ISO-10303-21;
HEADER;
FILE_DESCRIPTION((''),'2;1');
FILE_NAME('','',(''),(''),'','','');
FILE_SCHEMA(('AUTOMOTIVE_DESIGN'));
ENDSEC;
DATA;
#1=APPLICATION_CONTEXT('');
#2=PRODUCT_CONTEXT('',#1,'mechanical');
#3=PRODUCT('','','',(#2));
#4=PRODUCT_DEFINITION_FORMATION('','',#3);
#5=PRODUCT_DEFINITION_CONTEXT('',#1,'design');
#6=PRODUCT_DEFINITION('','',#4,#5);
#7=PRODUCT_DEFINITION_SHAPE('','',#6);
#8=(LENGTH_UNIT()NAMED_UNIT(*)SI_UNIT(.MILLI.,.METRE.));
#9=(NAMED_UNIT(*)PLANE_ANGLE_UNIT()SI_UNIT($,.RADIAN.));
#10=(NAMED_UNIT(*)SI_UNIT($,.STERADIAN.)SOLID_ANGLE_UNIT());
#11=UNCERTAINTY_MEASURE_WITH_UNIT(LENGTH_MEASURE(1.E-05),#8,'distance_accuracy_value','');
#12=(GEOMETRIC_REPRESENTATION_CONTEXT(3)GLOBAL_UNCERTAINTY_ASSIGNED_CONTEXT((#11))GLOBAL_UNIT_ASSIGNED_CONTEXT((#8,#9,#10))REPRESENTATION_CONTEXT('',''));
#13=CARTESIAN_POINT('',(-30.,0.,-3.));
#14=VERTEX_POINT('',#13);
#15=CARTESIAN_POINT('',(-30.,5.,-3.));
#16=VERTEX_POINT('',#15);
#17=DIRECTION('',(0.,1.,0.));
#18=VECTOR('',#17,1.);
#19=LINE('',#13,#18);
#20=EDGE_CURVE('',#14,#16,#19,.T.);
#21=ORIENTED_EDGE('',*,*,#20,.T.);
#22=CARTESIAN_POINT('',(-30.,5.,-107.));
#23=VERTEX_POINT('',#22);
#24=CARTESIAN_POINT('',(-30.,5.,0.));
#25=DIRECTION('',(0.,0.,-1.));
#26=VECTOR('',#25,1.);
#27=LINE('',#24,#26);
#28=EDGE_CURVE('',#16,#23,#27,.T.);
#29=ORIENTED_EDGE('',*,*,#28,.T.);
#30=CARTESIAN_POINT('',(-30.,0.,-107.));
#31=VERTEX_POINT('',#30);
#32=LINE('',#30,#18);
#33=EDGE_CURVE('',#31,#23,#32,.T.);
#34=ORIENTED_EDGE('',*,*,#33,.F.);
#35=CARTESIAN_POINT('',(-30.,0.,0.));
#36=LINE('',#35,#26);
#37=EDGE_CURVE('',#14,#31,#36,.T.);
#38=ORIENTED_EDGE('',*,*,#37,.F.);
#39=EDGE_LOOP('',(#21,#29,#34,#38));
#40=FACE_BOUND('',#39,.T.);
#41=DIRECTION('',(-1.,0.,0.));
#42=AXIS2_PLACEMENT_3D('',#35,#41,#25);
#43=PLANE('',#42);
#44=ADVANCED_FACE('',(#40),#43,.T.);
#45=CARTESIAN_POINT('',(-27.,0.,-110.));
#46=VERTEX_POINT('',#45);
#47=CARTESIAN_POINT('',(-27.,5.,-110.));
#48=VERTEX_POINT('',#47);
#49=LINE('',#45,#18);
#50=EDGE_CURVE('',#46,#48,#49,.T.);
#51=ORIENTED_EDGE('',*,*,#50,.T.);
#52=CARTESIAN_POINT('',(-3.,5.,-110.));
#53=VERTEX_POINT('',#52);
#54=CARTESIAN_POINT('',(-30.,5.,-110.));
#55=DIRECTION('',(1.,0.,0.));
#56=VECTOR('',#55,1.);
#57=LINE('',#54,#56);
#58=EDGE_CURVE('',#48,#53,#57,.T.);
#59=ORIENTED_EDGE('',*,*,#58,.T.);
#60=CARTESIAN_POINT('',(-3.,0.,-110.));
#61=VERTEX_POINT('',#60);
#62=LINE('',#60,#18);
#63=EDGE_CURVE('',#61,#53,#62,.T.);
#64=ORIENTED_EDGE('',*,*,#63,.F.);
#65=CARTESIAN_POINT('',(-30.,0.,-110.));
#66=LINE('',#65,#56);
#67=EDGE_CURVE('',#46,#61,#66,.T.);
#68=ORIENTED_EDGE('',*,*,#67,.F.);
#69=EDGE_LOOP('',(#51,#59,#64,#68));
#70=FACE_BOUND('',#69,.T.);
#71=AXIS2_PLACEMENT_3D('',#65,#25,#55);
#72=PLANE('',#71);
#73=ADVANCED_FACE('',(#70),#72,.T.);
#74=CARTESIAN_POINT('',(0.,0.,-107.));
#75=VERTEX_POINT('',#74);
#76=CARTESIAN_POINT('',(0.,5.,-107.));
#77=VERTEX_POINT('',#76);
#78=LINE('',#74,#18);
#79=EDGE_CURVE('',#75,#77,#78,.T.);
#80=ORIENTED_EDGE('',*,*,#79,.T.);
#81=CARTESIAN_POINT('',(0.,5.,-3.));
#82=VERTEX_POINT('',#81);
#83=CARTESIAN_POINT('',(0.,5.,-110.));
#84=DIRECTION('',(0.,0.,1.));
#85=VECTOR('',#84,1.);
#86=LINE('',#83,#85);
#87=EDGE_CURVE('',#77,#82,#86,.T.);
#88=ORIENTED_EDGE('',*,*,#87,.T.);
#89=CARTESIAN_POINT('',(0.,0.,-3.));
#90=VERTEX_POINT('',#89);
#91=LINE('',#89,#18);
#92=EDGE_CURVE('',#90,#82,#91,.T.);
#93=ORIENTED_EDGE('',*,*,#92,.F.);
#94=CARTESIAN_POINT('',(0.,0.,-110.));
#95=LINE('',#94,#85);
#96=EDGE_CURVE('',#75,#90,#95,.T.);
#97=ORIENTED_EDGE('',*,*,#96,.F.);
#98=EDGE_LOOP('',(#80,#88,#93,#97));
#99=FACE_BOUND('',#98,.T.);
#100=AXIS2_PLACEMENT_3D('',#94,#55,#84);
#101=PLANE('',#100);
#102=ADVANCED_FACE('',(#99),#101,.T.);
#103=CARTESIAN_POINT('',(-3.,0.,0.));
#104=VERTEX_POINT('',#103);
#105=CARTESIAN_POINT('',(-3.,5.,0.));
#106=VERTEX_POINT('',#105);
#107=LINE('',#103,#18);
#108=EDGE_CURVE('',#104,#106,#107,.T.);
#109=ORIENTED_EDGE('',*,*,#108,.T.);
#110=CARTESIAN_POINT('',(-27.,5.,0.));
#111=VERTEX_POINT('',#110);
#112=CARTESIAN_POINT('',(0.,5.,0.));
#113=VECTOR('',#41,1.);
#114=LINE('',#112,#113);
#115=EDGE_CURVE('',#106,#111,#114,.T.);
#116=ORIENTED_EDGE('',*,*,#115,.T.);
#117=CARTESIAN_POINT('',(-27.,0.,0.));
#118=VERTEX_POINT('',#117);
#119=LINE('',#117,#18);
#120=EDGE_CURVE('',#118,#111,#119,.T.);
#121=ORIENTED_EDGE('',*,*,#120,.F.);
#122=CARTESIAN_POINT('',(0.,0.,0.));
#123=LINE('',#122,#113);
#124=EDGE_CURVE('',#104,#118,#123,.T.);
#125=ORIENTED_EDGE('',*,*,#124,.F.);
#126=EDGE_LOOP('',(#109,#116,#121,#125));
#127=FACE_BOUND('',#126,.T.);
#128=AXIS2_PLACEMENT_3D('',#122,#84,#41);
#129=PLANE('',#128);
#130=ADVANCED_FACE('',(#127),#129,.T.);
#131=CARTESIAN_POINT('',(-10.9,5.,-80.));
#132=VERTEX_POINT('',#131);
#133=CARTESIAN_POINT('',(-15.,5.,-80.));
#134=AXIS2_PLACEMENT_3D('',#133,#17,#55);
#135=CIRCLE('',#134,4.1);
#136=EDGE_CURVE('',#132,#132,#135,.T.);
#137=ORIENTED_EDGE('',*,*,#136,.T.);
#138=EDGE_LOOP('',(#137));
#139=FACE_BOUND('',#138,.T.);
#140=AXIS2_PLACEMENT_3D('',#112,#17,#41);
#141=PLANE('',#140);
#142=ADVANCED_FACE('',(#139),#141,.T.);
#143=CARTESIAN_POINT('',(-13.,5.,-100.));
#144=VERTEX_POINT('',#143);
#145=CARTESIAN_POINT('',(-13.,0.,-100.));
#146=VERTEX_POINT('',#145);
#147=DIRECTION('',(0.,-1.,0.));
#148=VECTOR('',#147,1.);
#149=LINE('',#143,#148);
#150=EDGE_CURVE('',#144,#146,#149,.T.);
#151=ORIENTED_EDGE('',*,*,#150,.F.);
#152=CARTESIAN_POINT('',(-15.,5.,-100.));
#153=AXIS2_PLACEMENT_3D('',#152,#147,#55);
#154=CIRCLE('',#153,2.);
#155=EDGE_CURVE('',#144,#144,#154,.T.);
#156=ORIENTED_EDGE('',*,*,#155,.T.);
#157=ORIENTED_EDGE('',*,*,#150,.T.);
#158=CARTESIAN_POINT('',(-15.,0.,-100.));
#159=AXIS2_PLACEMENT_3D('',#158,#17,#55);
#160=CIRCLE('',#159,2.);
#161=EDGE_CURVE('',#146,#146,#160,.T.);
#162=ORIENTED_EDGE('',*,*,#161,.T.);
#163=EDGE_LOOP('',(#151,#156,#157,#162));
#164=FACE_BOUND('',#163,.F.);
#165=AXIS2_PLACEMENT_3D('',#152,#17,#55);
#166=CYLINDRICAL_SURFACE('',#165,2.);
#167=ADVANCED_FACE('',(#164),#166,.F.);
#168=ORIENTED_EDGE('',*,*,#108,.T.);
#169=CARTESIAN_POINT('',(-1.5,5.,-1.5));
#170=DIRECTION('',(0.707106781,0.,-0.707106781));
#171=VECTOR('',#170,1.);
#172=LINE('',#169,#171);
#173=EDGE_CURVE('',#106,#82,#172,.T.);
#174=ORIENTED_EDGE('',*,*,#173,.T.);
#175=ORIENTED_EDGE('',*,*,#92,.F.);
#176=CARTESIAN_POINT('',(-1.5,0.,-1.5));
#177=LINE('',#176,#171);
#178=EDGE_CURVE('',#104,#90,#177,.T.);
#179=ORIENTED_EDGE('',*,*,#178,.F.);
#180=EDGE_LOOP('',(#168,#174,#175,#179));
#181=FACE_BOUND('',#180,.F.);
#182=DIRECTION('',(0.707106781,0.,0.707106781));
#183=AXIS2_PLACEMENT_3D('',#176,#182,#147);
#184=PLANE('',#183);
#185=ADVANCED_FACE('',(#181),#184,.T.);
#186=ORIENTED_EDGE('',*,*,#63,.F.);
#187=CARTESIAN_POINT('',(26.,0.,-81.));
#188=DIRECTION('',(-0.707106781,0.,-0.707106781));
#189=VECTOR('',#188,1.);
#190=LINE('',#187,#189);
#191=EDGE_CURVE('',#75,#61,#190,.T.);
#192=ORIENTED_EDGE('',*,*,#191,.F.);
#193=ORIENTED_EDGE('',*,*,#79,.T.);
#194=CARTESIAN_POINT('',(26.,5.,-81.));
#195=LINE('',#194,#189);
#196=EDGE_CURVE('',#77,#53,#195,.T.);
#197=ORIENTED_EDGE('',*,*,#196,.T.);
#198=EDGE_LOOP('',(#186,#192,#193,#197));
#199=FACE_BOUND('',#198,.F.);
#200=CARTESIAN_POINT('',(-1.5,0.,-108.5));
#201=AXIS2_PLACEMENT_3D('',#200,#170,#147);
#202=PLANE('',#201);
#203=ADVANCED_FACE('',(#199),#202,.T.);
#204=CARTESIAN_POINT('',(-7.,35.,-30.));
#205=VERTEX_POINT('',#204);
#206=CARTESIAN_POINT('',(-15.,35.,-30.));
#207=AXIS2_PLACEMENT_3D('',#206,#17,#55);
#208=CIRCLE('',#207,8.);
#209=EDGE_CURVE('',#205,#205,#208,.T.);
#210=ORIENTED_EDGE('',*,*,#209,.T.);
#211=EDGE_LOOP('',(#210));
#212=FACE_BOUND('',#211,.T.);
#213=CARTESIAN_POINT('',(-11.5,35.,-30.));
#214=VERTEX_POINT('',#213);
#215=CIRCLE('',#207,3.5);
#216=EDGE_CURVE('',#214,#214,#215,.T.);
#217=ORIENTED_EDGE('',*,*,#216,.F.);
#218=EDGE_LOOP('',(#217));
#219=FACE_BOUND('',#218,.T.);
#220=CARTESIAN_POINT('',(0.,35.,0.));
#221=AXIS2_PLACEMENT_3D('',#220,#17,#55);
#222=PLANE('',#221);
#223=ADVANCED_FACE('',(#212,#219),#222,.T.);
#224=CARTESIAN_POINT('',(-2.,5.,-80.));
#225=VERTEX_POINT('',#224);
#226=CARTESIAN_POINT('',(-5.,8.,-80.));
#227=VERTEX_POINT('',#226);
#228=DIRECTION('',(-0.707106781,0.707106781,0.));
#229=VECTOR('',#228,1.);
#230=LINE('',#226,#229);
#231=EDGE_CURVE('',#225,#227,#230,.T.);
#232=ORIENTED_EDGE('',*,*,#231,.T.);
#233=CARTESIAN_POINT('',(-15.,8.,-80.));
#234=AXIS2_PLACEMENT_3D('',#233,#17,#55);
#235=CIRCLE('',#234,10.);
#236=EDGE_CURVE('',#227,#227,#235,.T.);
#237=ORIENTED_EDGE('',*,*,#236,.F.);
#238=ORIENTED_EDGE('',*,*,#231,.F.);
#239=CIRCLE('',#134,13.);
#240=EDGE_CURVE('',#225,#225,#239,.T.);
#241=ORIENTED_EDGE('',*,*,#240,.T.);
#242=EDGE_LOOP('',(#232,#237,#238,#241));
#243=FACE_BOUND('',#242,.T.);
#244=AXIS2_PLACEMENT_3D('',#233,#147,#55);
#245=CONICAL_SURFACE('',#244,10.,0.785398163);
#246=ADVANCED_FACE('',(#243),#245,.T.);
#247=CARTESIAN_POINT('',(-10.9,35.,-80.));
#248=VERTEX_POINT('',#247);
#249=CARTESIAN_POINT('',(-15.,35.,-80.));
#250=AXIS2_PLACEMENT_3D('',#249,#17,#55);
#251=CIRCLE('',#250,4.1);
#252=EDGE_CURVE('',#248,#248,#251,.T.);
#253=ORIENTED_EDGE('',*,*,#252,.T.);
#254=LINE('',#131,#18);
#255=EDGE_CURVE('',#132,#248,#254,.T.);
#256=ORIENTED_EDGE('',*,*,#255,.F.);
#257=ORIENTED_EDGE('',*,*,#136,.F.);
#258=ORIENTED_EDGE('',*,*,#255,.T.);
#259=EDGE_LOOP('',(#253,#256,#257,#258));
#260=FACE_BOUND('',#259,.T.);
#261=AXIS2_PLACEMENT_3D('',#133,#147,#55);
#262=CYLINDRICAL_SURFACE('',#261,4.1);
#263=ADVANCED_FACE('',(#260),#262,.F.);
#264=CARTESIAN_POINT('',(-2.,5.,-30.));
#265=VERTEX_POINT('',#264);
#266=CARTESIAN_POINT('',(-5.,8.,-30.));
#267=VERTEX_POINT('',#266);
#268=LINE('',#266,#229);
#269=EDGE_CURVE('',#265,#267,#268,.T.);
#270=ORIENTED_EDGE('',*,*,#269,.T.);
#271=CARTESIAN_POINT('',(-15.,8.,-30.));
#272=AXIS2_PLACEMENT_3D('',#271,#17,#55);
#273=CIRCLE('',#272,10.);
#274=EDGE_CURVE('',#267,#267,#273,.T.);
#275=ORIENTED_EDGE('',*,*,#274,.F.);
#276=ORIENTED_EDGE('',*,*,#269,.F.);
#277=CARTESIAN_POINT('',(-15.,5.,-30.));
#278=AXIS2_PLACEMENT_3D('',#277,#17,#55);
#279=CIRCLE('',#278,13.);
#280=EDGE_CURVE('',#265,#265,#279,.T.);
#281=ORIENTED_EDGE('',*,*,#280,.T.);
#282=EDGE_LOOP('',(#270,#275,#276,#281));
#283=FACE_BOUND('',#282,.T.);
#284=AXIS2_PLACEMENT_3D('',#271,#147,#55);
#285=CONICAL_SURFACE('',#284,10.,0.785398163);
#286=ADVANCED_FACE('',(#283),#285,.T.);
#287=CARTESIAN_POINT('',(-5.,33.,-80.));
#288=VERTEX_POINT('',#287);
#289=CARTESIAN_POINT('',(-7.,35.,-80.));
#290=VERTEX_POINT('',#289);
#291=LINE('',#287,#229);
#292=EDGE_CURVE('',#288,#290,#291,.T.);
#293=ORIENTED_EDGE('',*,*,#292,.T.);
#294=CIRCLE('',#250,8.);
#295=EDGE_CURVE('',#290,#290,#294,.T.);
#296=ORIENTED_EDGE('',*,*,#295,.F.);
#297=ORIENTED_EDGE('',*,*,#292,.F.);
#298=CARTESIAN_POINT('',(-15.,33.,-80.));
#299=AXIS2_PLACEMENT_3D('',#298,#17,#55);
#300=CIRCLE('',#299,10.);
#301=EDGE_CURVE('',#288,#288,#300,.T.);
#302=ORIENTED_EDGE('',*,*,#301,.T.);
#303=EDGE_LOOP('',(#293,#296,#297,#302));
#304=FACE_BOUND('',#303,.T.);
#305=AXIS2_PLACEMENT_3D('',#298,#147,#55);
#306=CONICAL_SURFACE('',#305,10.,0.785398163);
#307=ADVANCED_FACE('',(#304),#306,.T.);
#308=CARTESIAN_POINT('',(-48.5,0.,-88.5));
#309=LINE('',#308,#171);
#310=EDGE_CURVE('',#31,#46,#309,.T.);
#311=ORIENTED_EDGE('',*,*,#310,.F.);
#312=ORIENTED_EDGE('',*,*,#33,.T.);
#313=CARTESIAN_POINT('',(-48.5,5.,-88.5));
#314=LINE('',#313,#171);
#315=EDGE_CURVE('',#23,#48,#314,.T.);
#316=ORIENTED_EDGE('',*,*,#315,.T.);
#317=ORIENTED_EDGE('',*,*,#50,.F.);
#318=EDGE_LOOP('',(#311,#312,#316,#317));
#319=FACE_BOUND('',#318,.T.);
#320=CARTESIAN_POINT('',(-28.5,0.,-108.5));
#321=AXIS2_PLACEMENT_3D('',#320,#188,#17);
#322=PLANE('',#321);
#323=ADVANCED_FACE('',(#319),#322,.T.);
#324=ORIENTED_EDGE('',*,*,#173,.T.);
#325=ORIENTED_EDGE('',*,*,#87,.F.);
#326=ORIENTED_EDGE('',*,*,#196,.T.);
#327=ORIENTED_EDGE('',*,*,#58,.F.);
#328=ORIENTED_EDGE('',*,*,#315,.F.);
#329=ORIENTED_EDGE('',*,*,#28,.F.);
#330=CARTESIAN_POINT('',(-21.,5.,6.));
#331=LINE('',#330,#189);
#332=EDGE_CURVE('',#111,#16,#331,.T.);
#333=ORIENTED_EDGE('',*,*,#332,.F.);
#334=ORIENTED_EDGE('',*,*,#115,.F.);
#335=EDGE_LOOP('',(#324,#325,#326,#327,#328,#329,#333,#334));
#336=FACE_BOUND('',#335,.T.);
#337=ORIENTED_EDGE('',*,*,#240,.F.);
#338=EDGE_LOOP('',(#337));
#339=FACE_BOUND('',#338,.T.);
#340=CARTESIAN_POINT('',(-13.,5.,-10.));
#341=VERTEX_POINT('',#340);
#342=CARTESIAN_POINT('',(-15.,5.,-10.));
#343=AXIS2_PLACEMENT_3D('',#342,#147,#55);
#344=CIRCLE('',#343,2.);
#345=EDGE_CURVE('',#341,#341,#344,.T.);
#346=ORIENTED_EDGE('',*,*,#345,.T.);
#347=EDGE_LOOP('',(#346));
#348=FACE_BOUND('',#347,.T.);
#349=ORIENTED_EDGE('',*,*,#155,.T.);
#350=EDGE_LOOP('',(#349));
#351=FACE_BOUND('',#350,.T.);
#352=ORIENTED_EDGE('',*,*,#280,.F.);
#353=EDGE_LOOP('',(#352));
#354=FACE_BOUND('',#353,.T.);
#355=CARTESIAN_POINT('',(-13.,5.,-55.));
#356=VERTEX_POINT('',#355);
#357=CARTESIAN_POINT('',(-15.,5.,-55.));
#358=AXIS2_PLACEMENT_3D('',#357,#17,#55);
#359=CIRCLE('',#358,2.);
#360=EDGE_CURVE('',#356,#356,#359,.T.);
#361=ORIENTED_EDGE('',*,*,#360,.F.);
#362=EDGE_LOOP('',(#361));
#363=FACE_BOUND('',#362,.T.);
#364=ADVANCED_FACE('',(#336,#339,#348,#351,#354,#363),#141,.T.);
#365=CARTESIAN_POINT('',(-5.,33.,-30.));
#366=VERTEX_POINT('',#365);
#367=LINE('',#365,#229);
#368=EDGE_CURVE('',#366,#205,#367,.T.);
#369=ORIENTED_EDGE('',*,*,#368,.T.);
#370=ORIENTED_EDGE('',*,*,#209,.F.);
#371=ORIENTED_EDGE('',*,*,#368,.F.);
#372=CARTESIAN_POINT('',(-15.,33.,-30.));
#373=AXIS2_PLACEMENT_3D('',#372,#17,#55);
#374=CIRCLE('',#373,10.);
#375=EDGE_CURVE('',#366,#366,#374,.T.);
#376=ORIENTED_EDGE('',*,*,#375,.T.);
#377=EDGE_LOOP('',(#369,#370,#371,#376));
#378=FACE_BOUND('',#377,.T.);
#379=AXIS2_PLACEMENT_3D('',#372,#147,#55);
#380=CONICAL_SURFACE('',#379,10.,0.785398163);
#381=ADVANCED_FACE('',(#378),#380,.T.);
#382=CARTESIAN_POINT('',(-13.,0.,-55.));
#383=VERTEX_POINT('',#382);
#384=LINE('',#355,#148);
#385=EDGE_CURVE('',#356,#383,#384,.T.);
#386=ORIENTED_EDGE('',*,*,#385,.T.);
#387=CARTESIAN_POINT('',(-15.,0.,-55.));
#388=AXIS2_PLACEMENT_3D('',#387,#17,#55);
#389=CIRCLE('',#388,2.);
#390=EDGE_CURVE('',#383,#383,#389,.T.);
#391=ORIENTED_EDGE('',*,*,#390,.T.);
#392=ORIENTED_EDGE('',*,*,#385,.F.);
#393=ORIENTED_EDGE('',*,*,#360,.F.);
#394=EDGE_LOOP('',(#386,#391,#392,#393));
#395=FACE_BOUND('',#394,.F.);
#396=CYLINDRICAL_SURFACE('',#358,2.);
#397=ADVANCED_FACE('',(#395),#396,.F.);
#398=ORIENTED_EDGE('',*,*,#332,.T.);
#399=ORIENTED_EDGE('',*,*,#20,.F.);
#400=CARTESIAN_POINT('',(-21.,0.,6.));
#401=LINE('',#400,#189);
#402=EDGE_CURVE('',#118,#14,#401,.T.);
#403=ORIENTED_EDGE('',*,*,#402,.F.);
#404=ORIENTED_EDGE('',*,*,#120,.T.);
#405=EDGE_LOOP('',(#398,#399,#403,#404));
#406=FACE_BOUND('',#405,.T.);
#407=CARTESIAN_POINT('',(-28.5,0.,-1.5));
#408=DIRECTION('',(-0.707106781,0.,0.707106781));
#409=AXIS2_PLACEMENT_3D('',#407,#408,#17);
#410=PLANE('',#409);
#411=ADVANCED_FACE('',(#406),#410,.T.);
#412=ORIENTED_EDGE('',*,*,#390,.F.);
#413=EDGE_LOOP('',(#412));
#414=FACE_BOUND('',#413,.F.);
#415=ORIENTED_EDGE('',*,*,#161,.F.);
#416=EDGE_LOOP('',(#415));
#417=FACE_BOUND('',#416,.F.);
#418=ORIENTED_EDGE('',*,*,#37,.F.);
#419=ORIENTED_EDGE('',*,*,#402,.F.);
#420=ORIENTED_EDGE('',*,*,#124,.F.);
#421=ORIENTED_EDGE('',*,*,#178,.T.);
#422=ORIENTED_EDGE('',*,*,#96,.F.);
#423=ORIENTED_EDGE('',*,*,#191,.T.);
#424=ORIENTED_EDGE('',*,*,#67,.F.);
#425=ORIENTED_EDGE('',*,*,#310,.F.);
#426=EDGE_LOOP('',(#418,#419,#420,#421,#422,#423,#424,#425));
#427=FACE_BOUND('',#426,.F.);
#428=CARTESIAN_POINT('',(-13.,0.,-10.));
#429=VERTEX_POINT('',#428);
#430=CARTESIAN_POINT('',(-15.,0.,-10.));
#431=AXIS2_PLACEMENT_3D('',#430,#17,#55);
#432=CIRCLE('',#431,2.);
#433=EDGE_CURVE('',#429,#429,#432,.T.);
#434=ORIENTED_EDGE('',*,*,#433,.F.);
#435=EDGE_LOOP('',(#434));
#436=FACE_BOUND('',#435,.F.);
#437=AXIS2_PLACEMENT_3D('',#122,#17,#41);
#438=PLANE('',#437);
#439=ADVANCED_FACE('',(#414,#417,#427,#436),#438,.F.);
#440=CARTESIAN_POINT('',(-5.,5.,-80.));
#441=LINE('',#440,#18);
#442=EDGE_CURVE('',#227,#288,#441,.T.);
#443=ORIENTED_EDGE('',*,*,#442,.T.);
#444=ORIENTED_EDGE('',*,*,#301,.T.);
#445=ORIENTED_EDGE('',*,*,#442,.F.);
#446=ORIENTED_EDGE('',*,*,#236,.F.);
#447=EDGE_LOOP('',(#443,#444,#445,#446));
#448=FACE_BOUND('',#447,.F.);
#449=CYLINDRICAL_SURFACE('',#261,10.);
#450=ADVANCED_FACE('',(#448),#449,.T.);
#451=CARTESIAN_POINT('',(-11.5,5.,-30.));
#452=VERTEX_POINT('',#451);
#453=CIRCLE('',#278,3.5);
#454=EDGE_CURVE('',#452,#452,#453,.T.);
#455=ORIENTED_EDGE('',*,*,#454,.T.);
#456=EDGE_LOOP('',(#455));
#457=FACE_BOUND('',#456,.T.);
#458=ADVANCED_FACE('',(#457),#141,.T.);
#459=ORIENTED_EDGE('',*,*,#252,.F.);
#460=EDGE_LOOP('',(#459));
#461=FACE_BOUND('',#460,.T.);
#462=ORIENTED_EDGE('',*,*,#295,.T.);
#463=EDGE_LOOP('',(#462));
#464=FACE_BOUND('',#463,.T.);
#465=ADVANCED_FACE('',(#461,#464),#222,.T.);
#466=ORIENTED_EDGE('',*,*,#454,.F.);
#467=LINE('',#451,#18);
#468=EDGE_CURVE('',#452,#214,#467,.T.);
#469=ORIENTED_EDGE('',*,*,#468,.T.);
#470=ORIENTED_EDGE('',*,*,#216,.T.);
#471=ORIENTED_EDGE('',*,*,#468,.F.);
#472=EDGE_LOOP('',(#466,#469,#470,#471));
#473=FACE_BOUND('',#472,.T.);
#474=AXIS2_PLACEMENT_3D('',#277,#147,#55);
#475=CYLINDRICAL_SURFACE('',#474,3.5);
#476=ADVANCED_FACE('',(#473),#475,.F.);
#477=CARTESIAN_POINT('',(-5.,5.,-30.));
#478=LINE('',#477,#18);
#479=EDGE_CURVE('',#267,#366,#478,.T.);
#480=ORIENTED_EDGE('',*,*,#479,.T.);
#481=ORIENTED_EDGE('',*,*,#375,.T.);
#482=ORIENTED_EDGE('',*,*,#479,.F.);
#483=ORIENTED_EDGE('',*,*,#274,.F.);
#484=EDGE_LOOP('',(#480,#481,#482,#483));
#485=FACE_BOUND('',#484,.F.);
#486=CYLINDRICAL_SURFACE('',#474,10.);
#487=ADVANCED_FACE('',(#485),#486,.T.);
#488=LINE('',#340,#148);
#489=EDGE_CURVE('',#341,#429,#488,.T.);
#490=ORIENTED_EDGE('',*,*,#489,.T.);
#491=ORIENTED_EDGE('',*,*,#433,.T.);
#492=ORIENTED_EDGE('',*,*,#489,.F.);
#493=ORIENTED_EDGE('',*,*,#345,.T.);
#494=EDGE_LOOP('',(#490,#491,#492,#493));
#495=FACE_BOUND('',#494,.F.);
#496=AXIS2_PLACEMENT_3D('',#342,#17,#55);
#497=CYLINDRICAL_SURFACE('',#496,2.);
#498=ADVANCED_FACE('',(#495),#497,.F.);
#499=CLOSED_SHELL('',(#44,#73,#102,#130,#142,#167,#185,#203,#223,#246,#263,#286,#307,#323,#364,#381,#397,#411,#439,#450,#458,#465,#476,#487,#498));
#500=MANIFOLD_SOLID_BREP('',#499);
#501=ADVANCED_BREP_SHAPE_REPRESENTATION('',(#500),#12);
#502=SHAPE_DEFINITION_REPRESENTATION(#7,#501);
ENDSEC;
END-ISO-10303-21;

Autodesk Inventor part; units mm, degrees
ref_plane "YZ Plane" through (0, 0, 0) normal (1, 0, 0) x (0, 1, 0)
ref_plane "XZ Plane" through (0, 0, 0) normal (0, 1, 0) x (-1, 0, 0)
ref_plane "XY Plane" through (0, 0, 0) normal (0, 0, 1) x (1, 0, 0)
sketch "Sketch1" plane through (0, 0, 0) normal (0, 1, 0) x (-1, 0, 0)
  line L0 (0, 0) -> (30, 0)
  line L1 (30, 0) -> (30, -110)
  line L2 (30, -110) -> (0, -110)
  line L3 (0, -110) -> (0, 0)
  dimension "d0" = 30
  dimension "d1" = 110
extrude "Extrusion1" add sketch "Sketch1" along normal blind 5
sketch "Sketch2" plane through (0, 5, 0) normal (0, 1, 0) x (1, 0, 0)
  circle A0 centre (-10, 30) radius 3.5
  line L0 (0, 0) -> (0, 110) projected
  line L1 (-30, 0) -> (0, 0) projected
  circle A1 centre (-10, 30) radius 20
  line L2 (-30, 110) -> (-30, 0) projected
  circle A2 centre (-15, 10) radius 2
  line L3 (-30, 55) -> (0, 55) construction
  circle A3 centre (-10, 80) radius 3.5
  circle A4 centre (-10, 80) radius 20
  circle A5 centre (-15, 100) radius 2
  circle A6 centre (-15, 55) radius 2
  line L4 (-15, 0) -> (-15, 110) construction
  dimension "d4" = 7
  dimension "d5" = 10
  dimension "d6" = 30
  dimension "d7" = 4
  dimension "d9" = 10
  dimension "d10" = 4
extrude "Extrusion2" cut sketch "Sketch2" against normal blind 5 contours A2 A1 | A1 A2 | A5 A4 | A4 A5 | A6
sketch "Sketch3" plane through (0, 5, 0) normal (0, 1, 0) x (1, 0, 0)
  line L0 (0, 110) -> (0, 0) construction
  line L1 (0, 55) -> (-30, 55) construction
  line L2 (-30, 0) -> (-30, 110) construction
  circle A0 centre (-15, 30) radius 3.5
  circle A1 centre (-15, 80) radius 4.1
  line L3 (-30, 0) -> (0, 0) projected
  line L4 (0, 110) -> (-30, 110) projected
  circle A2 centre (-15, 30) radius 10
  circle A3 centre (-15, 80) radius 10
  line L5 (-30, 110) -> (-30, 0) projected
  line L6 (-15, 0) -> (-15, 110) construction
  dimension "d13" = 7
  dimension "d14" = 8.2
  dimension "d16" = 30
  dimension "d17" = 30
  dimension "d22" = 20
extrude "Extrusion3" add sketch "Sketch3" along normal blind 30
chamfer "Chamfer1" distance 3 angle 45 1 edges at (-25, 5, -30)
chamfer "Chamfer2" distance 3 angle 45 1 edges at (-25, 5, -80)
chamfer "Chamfer3" distance 3 angle 45 4 edges at (-30, 2.5, 0) (0, 2.5, 0) (0, 2.5, -110) (-30, 2.5, -110)
chamfer "Chamfer4" distance 2 angle 45 2 edges at (-25, 35, -80) (-25, 35, -30)
